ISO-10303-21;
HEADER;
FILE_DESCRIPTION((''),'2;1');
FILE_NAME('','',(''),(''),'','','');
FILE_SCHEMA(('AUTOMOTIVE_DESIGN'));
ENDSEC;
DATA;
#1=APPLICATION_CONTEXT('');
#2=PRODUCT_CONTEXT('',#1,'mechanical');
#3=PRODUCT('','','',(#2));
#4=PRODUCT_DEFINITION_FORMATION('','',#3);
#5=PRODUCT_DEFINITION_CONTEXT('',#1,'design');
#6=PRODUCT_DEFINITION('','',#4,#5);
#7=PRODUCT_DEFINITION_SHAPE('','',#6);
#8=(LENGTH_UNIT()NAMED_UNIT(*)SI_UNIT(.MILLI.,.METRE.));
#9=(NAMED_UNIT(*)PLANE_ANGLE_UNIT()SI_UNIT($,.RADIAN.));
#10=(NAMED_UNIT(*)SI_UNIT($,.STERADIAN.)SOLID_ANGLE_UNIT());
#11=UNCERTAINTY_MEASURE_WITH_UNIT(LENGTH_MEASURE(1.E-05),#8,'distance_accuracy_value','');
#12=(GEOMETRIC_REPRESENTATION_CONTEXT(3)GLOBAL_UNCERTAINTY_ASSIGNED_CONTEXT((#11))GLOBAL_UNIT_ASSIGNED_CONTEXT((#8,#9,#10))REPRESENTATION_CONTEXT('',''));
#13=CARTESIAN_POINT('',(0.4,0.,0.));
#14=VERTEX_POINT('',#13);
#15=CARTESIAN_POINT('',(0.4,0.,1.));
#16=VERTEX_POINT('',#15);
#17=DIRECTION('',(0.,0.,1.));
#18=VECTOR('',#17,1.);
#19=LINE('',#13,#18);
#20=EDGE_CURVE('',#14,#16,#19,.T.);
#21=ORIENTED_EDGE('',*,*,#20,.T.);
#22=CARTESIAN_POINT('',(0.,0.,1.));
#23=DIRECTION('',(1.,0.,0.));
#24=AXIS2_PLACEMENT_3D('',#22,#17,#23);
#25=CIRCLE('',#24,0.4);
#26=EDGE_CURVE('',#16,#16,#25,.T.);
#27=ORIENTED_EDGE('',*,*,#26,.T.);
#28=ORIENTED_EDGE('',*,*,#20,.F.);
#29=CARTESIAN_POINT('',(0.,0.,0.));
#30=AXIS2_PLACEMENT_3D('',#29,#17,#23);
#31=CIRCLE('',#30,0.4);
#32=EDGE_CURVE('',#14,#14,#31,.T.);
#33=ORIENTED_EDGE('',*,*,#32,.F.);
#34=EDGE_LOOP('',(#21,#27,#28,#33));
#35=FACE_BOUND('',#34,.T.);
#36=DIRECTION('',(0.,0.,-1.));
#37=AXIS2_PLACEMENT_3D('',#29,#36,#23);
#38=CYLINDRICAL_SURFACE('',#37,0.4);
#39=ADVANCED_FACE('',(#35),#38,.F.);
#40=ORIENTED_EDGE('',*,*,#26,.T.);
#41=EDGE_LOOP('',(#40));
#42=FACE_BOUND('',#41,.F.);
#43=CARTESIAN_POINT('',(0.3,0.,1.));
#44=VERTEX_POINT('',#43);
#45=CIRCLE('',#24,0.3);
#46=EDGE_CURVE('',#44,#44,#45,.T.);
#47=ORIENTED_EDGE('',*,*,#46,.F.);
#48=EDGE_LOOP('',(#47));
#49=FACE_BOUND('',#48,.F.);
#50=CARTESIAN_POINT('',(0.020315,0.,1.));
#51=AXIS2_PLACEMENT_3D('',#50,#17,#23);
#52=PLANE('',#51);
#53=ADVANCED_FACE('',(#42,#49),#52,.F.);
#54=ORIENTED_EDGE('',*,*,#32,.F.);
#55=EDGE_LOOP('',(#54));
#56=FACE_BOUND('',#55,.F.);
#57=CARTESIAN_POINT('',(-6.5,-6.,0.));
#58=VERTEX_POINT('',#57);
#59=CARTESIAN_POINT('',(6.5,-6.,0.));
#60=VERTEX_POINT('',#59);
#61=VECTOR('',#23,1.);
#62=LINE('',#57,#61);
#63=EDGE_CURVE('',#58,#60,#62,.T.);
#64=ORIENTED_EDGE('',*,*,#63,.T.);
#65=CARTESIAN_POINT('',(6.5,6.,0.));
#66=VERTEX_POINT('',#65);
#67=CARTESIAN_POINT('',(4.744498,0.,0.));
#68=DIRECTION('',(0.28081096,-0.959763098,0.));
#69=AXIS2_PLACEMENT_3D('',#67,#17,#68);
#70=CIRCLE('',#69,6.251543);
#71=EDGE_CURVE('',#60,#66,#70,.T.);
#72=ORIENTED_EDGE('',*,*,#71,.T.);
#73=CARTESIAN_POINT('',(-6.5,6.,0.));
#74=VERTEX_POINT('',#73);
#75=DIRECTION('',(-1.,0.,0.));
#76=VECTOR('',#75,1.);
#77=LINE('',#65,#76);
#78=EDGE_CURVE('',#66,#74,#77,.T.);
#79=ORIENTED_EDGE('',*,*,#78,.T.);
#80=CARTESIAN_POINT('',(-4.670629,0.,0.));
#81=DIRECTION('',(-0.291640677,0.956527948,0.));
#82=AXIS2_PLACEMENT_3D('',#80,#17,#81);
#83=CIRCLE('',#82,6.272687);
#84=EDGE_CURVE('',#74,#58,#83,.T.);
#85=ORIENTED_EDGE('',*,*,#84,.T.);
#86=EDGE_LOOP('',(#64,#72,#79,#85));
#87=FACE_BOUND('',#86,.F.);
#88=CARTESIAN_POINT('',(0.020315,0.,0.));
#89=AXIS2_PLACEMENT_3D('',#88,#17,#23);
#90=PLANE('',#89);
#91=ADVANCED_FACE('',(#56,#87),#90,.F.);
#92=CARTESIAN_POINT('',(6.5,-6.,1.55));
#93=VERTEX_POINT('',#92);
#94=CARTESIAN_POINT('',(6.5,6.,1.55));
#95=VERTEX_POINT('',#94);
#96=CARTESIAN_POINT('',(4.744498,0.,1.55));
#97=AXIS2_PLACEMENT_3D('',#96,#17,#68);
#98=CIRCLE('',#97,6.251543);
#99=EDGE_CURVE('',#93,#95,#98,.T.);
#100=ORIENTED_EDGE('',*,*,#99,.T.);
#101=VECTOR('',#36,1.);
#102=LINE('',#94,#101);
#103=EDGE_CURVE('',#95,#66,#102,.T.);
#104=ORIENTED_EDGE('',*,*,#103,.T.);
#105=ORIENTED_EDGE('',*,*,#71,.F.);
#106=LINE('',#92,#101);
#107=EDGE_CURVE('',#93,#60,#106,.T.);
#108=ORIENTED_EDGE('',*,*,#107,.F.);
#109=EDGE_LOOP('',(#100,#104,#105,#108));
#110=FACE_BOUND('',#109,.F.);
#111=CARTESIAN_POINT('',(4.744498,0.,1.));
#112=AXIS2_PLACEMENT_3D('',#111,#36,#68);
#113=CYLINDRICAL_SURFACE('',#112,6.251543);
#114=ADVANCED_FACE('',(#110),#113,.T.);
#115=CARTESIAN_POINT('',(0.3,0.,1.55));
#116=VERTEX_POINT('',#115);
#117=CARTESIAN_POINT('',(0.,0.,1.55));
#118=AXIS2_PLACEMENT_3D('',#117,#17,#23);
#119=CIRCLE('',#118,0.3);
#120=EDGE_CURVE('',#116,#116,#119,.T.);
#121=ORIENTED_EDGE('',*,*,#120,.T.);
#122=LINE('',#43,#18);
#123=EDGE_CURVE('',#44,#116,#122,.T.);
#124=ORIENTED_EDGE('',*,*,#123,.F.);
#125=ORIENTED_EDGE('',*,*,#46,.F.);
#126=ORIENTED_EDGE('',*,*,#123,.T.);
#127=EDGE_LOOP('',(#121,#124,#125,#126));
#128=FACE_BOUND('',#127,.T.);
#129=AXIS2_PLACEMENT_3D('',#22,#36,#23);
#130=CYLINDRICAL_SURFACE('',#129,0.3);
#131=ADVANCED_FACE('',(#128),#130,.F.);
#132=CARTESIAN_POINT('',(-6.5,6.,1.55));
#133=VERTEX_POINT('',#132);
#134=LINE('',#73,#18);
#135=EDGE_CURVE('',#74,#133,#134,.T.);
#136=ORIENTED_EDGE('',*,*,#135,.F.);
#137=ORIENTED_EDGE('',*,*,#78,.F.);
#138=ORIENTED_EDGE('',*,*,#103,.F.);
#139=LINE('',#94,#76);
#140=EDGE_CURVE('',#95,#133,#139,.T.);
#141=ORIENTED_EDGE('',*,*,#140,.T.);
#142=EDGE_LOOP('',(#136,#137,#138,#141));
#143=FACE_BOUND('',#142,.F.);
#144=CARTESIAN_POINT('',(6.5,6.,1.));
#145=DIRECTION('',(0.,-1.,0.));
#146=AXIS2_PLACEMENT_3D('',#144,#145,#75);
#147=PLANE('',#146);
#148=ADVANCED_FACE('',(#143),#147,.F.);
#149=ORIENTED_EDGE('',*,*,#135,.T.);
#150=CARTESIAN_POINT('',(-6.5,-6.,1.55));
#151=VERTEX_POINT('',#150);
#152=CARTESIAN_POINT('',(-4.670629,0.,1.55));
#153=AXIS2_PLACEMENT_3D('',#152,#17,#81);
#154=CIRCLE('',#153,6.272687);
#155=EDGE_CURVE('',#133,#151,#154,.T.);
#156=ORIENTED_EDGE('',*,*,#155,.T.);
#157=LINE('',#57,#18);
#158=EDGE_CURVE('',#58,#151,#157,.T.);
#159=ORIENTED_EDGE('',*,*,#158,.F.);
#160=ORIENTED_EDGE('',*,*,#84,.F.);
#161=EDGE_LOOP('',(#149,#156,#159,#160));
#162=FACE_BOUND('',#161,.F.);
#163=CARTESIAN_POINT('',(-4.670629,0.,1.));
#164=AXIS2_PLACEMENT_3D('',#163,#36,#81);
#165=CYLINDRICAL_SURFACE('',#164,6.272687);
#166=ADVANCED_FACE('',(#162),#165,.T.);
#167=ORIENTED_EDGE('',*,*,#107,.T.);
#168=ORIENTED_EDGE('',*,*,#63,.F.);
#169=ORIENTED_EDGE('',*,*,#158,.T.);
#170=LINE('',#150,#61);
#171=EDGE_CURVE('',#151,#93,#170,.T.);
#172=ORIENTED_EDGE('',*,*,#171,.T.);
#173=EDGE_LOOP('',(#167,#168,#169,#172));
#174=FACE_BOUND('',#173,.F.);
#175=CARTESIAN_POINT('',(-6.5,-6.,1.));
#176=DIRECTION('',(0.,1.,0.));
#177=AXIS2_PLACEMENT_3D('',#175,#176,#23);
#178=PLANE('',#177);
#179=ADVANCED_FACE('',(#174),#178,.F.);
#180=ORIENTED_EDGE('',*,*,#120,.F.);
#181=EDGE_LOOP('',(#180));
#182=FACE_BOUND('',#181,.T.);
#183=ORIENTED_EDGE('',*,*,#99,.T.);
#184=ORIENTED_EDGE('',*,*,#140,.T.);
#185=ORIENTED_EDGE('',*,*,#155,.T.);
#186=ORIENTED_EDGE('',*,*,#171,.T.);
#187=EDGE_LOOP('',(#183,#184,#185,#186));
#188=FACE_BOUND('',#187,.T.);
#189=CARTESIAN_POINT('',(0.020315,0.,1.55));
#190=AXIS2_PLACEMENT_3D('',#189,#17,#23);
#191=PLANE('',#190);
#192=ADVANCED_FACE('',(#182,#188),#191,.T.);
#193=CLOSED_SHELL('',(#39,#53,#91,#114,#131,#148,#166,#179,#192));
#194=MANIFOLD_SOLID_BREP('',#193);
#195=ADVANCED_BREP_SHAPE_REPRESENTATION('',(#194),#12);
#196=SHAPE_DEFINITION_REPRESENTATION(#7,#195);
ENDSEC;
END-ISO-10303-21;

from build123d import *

# Parameters (mm, degrees)
F0_R     = 0.4
F1_DEPTH = 1
F2_R     = 0.3
F3_DEPTH = 0.55


with BuildPart() as f1:
    # F0 (on Top) → F1 (new body)
    with BuildSketch(Plane.XY):
        with BuildLine():
            Line((-6.5, -6), (6.5, -6))
            ThreePointArc((6.5, -6), (10.996041, 0), (6.5, 6))
            Line((6.5, 6), (-6.5, 6))
            ThreePointArc((-6.5, 6), (-10.943316, 0), (-6.5, -6))
        make_face()
        Circle(F0_R, mode=Mode.SUBTRACT)
    extrude(amount=F1_DEPTH)

    # F2 (on face) → F3 (join)
    with BuildSketch(Plane.XY.offset(1)):
        with BuildLine():
            Line((6.5, 6), (-6.5, 6))
            ThreePointArc((-6.5, 6), (-10.943316, 0), (-6.5, -6))
            Line((-6.5, -6), (6.5, -6))
            ThreePointArc((6.5, -6), (10.996041, 0), (6.5, 6))
        make_face()
        Circle(F2_R, mode=Mode.SUBTRACT)
    extrude(amount=F3_DEPTH)


solid = f1.part
